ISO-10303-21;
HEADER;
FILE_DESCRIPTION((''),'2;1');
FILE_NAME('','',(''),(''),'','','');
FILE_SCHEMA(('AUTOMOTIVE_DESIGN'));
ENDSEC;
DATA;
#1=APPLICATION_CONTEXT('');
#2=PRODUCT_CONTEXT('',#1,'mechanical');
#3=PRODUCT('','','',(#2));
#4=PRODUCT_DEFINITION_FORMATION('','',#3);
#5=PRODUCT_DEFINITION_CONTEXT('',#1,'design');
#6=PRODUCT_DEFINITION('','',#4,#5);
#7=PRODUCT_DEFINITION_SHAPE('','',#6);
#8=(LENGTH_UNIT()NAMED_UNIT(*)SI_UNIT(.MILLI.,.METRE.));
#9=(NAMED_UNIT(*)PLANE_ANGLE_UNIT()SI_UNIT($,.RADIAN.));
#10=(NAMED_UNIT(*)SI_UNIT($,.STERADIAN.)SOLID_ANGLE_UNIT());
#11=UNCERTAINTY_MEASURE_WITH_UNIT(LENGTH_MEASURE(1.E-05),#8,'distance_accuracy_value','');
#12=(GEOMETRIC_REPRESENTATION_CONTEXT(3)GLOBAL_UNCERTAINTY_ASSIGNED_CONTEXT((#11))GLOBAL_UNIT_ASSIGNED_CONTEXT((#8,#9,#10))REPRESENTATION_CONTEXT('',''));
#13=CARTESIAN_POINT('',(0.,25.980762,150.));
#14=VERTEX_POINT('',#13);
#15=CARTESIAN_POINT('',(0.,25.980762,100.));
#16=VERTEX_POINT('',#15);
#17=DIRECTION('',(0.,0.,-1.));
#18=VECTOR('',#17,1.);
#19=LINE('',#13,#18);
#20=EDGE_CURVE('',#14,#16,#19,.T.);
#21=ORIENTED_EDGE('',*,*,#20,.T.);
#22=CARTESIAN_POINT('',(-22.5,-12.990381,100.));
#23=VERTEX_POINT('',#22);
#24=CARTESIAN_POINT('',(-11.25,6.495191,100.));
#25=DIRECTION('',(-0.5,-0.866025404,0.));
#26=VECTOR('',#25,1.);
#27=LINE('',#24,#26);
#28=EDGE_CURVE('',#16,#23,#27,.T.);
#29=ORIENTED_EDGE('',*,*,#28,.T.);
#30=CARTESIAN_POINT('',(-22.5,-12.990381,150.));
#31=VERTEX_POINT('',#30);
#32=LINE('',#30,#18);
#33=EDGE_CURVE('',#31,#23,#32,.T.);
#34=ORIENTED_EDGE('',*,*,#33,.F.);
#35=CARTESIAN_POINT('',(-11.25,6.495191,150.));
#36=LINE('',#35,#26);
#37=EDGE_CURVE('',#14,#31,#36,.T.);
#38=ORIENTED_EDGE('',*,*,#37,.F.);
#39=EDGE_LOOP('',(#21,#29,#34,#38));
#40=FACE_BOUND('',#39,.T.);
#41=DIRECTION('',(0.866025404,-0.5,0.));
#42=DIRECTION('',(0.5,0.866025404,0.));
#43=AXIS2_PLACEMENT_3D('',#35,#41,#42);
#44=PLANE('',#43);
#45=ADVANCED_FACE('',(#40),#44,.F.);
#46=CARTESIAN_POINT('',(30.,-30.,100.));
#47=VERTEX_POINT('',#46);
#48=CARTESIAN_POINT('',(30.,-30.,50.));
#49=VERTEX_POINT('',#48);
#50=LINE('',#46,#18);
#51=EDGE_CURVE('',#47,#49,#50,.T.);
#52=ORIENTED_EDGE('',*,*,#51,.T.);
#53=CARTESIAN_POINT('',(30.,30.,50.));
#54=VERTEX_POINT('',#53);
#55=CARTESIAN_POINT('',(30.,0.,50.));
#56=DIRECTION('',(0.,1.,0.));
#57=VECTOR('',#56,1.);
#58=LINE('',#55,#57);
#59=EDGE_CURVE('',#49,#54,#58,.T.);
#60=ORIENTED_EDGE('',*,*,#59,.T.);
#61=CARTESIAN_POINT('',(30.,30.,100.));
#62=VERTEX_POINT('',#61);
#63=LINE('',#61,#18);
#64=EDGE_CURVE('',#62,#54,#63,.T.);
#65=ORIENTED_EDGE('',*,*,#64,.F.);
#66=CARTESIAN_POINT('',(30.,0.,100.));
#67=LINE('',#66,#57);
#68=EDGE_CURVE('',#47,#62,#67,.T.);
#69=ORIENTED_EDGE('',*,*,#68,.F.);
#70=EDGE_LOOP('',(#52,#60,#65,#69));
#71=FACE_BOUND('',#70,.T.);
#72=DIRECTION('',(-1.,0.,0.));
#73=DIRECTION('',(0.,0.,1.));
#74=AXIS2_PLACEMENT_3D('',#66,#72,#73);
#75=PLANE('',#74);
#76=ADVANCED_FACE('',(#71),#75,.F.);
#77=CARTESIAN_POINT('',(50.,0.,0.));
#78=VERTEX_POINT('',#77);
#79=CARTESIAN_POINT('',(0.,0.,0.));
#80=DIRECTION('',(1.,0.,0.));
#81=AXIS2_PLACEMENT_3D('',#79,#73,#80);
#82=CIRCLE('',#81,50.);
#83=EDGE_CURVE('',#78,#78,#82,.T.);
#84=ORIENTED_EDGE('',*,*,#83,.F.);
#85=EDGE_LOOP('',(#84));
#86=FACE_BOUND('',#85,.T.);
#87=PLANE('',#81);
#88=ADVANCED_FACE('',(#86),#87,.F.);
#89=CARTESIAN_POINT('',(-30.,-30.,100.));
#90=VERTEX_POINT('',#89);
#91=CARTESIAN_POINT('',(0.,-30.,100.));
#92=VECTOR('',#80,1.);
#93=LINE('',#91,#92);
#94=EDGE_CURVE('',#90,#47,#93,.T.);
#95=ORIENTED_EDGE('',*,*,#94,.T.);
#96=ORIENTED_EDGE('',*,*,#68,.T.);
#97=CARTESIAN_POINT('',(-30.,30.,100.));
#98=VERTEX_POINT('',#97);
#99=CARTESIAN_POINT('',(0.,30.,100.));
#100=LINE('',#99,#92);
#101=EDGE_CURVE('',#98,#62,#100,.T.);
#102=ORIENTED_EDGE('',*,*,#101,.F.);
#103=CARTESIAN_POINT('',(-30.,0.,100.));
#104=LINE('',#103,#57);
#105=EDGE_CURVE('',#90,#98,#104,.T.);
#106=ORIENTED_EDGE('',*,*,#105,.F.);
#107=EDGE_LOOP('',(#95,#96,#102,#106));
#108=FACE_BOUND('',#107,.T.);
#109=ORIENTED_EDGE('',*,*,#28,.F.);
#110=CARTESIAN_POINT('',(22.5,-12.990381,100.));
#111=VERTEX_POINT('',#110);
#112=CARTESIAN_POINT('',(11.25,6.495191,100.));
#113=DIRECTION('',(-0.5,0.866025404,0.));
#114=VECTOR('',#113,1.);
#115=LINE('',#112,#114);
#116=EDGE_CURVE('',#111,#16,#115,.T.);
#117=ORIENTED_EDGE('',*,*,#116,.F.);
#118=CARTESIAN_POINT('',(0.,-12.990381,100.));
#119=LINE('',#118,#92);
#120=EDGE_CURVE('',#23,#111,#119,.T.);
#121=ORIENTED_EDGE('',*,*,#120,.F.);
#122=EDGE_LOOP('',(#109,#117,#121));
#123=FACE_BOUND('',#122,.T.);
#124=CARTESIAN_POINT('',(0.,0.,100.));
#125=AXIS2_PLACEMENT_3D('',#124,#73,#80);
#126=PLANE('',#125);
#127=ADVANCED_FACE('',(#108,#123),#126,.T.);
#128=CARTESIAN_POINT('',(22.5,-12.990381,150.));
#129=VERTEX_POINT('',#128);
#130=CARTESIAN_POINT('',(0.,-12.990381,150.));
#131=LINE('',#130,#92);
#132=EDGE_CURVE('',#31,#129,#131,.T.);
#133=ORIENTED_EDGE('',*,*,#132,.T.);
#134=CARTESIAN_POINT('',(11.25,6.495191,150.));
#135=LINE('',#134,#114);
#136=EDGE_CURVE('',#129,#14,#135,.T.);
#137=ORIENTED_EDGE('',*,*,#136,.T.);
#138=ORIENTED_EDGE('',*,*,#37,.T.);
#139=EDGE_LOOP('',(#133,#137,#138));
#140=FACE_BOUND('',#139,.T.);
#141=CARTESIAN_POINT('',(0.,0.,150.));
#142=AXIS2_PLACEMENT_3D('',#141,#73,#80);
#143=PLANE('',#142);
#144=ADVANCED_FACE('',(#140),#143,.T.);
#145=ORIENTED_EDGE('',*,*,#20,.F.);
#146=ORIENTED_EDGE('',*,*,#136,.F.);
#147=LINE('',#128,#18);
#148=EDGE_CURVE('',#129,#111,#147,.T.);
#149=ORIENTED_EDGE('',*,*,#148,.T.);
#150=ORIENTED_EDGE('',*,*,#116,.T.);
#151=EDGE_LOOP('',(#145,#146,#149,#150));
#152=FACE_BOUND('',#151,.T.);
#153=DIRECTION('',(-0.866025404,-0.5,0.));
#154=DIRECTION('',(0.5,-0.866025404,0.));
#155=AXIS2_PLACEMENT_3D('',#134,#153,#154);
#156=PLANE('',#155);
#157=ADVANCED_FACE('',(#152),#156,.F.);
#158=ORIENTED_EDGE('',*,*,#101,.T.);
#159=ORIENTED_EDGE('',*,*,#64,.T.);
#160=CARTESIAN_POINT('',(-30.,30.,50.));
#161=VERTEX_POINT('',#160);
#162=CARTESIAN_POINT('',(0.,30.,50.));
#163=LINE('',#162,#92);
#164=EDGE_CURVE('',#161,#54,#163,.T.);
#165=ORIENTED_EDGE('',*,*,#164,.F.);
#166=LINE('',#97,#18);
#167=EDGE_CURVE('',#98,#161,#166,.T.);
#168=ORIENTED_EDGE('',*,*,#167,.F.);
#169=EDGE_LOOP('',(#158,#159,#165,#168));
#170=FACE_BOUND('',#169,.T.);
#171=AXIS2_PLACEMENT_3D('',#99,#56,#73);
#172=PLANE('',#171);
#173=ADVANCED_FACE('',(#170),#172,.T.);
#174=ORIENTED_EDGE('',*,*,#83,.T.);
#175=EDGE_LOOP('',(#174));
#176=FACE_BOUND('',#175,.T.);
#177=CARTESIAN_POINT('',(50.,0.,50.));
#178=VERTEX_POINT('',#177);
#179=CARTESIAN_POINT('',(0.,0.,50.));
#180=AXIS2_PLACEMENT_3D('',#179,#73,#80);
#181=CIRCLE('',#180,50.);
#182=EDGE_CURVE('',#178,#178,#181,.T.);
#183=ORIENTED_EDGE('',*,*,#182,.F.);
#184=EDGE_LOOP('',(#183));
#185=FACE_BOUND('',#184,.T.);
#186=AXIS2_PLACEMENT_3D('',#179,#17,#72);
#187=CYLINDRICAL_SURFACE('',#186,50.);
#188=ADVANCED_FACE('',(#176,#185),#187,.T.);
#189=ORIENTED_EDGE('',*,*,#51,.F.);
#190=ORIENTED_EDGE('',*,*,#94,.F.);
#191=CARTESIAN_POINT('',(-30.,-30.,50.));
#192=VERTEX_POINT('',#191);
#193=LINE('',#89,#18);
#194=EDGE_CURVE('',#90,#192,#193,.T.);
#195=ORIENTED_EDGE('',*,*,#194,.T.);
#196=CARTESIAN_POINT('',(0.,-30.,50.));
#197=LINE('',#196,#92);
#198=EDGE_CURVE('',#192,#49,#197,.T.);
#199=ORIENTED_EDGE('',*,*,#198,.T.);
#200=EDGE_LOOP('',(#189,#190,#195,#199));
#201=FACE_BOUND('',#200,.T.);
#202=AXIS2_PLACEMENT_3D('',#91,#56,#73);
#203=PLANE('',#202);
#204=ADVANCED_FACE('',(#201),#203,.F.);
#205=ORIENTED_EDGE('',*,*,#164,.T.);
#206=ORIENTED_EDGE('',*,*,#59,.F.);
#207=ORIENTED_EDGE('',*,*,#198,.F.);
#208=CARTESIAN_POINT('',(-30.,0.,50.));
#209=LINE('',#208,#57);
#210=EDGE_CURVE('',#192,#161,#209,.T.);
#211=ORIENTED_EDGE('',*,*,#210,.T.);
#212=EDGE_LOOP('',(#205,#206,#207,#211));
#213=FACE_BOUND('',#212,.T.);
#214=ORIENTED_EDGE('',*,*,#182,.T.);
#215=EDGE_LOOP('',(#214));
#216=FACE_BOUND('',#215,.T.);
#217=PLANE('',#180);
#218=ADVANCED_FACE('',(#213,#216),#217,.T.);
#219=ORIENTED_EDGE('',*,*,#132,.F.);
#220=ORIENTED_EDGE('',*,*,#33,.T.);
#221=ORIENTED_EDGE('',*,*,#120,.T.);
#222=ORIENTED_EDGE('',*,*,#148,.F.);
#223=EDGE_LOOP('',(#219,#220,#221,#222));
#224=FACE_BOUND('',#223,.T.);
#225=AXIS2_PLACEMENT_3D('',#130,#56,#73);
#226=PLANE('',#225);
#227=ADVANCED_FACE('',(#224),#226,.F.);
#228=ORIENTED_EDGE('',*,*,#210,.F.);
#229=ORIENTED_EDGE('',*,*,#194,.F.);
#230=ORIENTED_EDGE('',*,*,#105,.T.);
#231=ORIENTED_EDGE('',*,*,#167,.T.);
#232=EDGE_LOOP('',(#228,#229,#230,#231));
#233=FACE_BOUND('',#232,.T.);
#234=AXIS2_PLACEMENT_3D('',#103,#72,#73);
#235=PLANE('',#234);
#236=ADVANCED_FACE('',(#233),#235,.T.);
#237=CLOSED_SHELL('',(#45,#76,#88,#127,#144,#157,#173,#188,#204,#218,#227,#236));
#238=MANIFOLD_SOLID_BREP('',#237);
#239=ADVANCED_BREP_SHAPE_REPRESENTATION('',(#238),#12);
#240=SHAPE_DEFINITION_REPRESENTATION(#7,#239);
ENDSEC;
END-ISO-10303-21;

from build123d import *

# Parameters (mm, degrees)
BOSS_EXTRUDE2_DEPTH = 150
SKETCH1_4_W         = 60
SKETCH1_4_H         = 60
BOSS_EXTRUDE3_DEPTH = 100
SKETCH1_5_R         = 50
SKETCH1_5_W         = 60
SKETCH1_5_H         = 60
BOSS_EXTRUDE4_DEPTH = 50


with BuildPart() as part:
    # Sketch1 → Boss-Extrude2 (new body)
    with BuildSketch(Plane.XY):
        Polygon((22.5, -12.990381057), (0, 25.980762114), (-22.5, -12.990381057), align=None)
    extrude(amount=BOSS_EXTRUDE2_DEPTH)

    # Sketch1<4> → Boss-Extrude3 (add)
    with BuildSketch(Plane.XY):
        Rectangle(SKETCH1_4_W, SKETCH1_4_H)
        Polygon((-22.5, -12.990381057), (0, 25.980762114), (22.5, -12.990381057), align=None, mode=Mode.SUBTRACT)
    extrude(amount=BOSS_EXTRUDE3_DEPTH)

    # Sketch1<5> → Boss-Extrude4 (add)
    with BuildSketch(Plane.XY):
        Circle(SKETCH1_5_R)
        Rectangle(SKETCH1_5_W, SKETCH1_5_H, mode=Mode.SUBTRACT)
    extrude(amount=BOSS_EXTRUDE4_DEPTH)


solid = part.part
